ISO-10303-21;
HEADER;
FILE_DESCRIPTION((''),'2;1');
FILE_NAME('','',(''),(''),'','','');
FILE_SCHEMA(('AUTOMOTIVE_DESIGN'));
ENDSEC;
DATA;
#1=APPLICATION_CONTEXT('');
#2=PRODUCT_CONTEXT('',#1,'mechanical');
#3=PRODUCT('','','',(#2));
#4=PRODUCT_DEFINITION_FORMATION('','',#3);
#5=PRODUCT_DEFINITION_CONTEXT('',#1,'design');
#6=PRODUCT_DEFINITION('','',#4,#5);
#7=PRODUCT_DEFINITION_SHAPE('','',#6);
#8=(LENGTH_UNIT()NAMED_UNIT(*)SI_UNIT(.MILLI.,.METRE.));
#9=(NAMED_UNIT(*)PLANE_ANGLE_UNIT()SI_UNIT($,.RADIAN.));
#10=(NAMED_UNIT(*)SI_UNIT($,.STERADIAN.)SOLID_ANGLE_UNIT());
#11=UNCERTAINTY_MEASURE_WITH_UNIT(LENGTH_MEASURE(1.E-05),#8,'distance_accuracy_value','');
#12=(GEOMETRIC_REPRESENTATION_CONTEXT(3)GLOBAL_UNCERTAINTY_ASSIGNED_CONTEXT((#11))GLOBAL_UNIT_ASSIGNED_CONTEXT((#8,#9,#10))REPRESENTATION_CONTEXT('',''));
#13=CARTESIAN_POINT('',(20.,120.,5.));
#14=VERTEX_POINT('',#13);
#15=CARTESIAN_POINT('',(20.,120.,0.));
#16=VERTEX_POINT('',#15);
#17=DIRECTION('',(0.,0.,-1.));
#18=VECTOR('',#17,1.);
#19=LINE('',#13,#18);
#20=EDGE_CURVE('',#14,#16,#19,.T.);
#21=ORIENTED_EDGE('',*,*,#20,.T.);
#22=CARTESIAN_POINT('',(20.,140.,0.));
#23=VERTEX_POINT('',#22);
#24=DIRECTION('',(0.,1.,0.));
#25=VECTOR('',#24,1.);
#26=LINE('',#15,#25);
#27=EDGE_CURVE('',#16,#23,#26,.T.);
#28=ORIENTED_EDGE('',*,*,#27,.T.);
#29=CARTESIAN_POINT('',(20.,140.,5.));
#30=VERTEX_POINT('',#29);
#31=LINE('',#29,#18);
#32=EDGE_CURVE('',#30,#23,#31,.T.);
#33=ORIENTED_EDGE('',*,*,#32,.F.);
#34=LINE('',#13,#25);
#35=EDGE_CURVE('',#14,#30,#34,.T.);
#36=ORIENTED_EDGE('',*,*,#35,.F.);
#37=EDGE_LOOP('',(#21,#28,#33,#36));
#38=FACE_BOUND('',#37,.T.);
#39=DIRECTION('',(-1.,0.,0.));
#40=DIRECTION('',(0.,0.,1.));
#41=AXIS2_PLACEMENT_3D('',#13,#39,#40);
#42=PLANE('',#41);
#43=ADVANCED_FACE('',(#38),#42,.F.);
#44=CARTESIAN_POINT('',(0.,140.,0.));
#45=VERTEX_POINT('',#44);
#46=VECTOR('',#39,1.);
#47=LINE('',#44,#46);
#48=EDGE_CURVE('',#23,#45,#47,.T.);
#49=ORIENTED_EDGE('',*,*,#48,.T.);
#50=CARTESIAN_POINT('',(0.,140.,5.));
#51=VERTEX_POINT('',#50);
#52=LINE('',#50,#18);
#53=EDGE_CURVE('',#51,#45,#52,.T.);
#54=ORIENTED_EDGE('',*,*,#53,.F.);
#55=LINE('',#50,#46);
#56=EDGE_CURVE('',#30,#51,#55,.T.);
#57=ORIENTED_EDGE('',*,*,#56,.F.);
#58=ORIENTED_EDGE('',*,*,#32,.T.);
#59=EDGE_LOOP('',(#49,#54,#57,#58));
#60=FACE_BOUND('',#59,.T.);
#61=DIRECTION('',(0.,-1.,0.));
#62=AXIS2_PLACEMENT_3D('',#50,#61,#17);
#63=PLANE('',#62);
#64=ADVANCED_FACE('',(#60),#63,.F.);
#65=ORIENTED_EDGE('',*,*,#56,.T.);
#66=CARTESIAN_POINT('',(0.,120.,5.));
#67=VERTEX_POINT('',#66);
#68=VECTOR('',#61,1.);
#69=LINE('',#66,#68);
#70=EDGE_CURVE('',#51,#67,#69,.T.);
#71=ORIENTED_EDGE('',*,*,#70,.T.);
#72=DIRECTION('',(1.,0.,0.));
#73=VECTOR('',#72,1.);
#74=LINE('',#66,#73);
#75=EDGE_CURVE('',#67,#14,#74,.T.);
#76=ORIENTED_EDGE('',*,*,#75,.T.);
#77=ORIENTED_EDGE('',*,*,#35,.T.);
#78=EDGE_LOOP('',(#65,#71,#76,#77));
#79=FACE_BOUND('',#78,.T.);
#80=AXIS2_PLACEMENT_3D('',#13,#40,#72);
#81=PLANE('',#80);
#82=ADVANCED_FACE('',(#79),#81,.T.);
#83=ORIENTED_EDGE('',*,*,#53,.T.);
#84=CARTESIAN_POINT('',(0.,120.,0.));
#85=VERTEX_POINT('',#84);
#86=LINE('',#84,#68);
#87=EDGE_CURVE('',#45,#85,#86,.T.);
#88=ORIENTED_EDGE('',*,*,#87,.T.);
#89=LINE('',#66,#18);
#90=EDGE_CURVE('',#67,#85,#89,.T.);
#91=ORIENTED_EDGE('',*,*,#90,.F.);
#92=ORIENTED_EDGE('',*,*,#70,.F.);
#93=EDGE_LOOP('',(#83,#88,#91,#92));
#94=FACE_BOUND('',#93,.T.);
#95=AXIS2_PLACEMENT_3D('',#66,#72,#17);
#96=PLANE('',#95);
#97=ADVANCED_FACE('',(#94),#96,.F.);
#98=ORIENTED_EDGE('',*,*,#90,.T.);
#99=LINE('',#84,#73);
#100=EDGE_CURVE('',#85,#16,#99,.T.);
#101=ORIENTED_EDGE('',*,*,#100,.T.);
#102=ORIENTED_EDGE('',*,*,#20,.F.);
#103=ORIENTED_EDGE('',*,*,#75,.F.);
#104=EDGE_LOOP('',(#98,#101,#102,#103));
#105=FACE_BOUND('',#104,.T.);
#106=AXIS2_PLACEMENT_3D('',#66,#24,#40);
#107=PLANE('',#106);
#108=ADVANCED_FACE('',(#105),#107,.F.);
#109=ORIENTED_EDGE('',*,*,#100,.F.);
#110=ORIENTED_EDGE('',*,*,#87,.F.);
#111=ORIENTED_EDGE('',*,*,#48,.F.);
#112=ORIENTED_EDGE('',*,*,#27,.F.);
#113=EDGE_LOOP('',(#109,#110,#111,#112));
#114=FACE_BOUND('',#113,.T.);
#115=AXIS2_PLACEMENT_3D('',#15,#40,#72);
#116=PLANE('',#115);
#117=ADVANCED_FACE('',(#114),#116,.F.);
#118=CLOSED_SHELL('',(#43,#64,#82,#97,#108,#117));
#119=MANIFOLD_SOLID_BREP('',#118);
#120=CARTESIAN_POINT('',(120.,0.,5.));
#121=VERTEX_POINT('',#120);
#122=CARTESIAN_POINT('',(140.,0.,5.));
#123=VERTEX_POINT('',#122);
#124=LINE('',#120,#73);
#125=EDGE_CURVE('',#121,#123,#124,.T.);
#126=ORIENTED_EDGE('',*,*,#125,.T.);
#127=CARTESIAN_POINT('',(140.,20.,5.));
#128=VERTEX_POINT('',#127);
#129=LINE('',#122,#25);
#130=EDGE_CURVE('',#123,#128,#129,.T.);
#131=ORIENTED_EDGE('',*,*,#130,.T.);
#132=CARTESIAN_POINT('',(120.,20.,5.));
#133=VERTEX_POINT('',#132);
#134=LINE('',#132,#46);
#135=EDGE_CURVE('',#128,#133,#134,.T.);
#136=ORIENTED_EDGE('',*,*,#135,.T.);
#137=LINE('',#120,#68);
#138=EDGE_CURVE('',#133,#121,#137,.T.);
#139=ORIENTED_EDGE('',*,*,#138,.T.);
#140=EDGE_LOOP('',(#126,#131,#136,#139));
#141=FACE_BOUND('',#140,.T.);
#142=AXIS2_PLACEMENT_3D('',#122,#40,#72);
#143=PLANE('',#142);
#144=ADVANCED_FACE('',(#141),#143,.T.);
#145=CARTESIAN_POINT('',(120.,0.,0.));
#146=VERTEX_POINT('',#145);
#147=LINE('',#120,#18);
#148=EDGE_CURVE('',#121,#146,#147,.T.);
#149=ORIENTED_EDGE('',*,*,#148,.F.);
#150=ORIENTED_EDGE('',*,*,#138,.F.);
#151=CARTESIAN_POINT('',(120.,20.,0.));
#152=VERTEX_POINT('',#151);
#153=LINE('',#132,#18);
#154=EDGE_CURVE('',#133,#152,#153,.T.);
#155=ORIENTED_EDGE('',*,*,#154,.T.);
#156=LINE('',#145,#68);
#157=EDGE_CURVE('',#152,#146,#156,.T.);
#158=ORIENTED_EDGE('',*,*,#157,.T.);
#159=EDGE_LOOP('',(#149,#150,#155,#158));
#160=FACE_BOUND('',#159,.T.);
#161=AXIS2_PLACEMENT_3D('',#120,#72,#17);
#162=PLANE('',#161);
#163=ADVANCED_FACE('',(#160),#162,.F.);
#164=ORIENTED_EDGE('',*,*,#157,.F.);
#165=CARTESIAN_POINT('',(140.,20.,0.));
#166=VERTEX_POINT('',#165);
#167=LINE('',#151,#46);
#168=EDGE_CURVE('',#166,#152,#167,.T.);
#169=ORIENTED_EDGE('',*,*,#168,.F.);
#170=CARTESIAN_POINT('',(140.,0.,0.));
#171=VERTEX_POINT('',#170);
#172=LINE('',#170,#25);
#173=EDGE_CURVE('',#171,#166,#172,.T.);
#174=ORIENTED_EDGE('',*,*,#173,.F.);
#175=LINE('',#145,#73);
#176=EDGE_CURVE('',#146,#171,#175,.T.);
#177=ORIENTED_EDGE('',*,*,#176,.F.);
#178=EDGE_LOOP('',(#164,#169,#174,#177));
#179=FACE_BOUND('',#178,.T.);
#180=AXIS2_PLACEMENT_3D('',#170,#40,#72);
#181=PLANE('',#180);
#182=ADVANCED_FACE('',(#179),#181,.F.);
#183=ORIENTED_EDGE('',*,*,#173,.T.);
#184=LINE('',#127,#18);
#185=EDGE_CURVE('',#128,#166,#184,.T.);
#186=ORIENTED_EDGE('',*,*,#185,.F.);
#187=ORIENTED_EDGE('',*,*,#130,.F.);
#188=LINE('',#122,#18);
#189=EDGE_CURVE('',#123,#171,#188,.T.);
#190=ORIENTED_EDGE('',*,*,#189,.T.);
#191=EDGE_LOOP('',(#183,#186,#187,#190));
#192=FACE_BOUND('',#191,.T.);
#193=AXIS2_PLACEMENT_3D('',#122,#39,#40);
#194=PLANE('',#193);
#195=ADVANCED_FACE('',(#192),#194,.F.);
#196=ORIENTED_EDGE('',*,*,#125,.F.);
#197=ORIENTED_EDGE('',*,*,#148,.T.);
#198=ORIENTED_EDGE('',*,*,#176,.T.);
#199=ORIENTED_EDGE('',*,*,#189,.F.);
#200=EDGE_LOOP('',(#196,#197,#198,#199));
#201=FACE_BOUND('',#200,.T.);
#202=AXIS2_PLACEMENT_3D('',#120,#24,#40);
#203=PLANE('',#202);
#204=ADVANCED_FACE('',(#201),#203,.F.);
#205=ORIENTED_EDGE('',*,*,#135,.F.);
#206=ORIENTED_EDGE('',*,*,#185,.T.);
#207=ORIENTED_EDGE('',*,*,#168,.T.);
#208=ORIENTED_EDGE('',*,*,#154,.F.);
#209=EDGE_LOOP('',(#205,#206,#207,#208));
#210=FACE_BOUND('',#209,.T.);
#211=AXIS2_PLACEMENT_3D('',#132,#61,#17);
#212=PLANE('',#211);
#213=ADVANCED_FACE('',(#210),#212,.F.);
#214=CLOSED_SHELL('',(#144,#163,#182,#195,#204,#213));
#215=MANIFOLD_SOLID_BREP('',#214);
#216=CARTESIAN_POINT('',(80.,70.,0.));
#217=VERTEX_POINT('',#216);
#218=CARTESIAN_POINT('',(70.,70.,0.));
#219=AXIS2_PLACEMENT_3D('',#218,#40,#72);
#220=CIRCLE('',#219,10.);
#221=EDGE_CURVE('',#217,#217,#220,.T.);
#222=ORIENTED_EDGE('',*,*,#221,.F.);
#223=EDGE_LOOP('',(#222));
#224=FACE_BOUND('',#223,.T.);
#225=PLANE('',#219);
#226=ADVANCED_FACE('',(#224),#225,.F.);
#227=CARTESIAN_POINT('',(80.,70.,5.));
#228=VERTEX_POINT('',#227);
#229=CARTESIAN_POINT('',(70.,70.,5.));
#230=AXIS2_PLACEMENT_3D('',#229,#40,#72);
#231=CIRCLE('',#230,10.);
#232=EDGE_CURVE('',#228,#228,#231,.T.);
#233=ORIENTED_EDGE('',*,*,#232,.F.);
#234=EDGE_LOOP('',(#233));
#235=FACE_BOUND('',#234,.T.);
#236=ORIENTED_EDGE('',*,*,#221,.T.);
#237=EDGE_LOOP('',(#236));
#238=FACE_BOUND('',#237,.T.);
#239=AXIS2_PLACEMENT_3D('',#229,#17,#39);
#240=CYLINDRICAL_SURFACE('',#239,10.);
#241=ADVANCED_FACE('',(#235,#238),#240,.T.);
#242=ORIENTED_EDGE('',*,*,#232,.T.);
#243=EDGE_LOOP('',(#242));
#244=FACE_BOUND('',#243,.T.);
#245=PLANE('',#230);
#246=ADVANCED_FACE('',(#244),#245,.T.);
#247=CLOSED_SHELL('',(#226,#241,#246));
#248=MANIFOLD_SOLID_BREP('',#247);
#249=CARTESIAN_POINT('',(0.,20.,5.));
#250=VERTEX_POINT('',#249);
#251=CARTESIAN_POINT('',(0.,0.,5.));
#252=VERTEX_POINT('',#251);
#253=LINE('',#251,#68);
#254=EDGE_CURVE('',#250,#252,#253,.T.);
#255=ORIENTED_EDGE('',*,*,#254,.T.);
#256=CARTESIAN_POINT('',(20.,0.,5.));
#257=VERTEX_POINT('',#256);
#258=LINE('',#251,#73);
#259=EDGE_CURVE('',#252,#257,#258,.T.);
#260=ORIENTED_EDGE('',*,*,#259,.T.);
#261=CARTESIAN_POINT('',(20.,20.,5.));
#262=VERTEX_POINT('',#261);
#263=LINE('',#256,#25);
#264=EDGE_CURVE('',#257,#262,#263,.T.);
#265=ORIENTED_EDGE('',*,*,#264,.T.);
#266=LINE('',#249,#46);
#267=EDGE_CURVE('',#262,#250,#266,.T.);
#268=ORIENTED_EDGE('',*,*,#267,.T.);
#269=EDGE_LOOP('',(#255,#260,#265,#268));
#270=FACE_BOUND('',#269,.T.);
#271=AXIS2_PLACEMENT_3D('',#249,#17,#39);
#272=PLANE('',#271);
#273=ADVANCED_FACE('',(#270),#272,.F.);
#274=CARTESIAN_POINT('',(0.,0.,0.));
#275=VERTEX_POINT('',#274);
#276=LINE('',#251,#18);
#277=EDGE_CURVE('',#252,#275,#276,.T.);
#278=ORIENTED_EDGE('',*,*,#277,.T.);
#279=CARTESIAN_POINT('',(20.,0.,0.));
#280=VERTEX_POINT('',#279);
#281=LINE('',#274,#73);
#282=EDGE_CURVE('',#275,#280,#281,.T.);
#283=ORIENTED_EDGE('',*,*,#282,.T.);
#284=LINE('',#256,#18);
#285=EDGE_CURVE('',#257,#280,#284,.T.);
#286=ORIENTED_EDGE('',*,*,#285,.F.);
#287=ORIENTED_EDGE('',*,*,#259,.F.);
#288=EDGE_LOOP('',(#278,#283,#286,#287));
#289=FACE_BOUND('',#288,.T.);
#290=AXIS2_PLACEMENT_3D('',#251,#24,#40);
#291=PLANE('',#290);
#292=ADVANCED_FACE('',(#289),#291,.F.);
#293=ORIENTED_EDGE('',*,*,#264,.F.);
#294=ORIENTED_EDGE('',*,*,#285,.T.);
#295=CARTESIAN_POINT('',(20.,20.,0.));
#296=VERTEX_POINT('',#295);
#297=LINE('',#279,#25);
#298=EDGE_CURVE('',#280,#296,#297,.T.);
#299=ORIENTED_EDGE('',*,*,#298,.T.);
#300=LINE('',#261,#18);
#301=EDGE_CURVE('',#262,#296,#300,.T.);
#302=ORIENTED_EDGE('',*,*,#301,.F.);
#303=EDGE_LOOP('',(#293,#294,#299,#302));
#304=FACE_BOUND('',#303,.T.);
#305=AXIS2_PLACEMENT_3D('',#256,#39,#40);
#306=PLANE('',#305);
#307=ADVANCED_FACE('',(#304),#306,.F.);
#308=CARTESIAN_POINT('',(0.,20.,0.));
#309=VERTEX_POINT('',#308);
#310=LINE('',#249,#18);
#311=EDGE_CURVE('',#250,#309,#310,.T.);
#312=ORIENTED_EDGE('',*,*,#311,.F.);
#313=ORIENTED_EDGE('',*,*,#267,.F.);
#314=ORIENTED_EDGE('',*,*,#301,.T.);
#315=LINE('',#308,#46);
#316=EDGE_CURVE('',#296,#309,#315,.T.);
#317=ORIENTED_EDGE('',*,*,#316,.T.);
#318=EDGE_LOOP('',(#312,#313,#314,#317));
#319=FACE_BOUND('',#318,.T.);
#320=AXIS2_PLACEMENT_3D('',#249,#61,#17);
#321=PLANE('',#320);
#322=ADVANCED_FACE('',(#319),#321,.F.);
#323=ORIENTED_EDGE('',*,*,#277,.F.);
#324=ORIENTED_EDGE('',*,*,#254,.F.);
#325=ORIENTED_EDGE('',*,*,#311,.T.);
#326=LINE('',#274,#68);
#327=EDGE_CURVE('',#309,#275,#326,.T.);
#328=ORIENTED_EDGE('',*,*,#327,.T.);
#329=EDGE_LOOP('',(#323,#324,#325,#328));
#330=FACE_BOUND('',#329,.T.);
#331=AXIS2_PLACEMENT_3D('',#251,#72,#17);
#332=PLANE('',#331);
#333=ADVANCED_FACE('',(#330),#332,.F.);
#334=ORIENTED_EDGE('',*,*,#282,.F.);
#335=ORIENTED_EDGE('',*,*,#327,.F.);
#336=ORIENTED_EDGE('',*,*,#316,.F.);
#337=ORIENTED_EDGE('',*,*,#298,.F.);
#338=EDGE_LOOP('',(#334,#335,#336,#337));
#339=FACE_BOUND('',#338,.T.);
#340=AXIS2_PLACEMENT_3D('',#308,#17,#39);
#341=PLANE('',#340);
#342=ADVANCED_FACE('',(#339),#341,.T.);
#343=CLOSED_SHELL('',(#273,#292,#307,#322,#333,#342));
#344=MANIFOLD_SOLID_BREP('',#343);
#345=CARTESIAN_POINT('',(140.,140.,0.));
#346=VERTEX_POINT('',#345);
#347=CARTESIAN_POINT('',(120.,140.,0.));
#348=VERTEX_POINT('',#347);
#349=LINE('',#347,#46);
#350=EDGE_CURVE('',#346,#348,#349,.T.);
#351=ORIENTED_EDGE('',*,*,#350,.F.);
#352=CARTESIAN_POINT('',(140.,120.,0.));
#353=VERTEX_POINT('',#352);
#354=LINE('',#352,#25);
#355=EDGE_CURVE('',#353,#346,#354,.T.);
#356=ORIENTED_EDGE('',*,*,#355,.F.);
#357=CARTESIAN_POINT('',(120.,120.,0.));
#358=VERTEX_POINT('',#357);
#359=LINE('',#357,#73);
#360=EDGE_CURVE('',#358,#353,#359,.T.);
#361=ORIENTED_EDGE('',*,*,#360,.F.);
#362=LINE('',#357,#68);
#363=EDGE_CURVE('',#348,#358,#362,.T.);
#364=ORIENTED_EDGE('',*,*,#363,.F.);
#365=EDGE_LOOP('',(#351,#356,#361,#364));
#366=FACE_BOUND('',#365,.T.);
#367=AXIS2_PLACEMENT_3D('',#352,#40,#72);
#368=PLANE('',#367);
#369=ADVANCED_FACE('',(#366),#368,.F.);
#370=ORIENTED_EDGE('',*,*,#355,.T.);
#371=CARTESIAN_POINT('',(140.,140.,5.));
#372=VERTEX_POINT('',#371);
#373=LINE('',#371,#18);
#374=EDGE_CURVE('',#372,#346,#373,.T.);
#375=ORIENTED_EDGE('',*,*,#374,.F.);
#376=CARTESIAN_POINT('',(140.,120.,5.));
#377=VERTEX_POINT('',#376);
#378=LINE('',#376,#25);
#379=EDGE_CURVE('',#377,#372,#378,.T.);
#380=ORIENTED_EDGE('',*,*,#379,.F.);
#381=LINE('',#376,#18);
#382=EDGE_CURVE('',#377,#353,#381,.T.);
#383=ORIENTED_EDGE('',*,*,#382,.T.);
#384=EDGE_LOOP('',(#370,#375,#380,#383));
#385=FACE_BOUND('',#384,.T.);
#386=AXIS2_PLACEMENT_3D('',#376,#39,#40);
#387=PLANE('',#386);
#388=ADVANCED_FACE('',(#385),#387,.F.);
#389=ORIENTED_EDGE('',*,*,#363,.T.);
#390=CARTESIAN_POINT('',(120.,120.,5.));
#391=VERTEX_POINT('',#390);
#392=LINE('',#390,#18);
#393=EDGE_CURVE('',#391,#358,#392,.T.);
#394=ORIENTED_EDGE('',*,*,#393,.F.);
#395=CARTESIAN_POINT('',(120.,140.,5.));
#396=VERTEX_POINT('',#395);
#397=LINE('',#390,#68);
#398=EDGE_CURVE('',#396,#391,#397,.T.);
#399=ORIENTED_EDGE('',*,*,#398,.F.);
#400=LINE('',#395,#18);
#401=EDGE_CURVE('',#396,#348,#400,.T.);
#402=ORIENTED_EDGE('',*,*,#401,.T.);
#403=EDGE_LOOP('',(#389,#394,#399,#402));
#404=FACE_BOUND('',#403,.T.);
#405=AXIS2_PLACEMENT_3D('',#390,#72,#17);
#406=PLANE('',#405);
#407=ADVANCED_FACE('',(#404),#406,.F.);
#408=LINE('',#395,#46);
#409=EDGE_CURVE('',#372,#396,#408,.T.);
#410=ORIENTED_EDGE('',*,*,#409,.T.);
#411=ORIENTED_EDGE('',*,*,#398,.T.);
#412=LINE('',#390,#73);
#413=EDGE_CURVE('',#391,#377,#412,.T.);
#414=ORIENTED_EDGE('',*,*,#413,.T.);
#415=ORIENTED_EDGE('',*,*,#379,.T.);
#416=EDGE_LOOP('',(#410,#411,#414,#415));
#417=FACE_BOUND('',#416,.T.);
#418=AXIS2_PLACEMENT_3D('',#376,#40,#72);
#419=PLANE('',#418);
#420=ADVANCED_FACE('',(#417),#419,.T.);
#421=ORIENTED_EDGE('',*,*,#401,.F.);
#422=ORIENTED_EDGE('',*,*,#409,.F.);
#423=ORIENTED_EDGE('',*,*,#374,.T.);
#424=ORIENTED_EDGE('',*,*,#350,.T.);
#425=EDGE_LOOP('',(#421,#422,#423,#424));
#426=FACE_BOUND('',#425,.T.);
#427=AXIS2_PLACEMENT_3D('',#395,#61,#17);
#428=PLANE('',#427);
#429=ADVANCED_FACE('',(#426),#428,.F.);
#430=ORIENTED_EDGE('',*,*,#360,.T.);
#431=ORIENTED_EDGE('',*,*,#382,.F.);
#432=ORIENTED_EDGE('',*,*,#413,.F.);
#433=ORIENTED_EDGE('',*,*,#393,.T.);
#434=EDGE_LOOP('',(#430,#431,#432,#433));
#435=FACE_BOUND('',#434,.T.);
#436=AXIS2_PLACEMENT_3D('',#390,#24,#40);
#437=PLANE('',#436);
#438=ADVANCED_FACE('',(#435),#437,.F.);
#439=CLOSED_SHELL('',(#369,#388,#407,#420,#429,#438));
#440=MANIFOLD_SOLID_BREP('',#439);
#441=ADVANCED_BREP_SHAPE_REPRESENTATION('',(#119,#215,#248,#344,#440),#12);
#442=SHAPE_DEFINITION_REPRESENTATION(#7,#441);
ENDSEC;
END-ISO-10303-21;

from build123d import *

# Parameters (mm, degrees)
CROQUIS2_R       = 10
EXTRUIR1_DEPTH   = 5
CROQUIS2_W       = 20
CROQUIS2_H       = 20
EXTRUIR1_2_DEPTH = 5
EXTRUIR1_3_DEPTH = 5
EXTRUIR1_4_DEPTH = 5
EXTRUIR1_5_DEPTH = 5


with BuildPart() as part:
    # Croquis2 → Extruir1 (new body)
    with BuildSketch(Plane.XY):
        with Locations((70, 70)):
            Circle(CROQUIS2_R)
    extrude(amount=EXTRUIR1_DEPTH)


with BuildPart() as body_2:
    # Croquis2 → Extruir1 2 (new body)
    with BuildSketch(Plane.XY):
        with Locations((130, 10)):
            Rectangle(CROQUIS2_W, CROQUIS2_H)
    extrude(amount=EXTRUIR1_2_DEPTH)


with BuildPart() as body_3:
    # Croquis2 → Extruir1 3 (new body)
    with BuildSketch(Plane.XY):
        with Locations((10, 10)):
            Rectangle(CROQUIS2_W, CROQUIS2_H)
    extrude(amount=EXTRUIR1_3_DEPTH)


with BuildPart() as body_4:
    # Croquis2 → Extruir1 4 (new body)
    with BuildSketch(Plane.XY):
        with Locations((10, 130)):
            Rectangle(CROQUIS2_W, CROQUIS2_H)
    extrude(amount=EXTRUIR1_4_DEPTH)


with BuildPart() as body_5:
    # Croquis2 → Extruir1 5 (new body)
    with BuildSketch(Plane.XY):
        with Locations((130, 130)):
            Rectangle(CROQUIS2_W, CROQUIS2_H)
    extrude(amount=EXTRUIR1_5_DEPTH)


solid = Compound([part.part, body_2.part, body_3.part, body_4.part, body_5.part])
